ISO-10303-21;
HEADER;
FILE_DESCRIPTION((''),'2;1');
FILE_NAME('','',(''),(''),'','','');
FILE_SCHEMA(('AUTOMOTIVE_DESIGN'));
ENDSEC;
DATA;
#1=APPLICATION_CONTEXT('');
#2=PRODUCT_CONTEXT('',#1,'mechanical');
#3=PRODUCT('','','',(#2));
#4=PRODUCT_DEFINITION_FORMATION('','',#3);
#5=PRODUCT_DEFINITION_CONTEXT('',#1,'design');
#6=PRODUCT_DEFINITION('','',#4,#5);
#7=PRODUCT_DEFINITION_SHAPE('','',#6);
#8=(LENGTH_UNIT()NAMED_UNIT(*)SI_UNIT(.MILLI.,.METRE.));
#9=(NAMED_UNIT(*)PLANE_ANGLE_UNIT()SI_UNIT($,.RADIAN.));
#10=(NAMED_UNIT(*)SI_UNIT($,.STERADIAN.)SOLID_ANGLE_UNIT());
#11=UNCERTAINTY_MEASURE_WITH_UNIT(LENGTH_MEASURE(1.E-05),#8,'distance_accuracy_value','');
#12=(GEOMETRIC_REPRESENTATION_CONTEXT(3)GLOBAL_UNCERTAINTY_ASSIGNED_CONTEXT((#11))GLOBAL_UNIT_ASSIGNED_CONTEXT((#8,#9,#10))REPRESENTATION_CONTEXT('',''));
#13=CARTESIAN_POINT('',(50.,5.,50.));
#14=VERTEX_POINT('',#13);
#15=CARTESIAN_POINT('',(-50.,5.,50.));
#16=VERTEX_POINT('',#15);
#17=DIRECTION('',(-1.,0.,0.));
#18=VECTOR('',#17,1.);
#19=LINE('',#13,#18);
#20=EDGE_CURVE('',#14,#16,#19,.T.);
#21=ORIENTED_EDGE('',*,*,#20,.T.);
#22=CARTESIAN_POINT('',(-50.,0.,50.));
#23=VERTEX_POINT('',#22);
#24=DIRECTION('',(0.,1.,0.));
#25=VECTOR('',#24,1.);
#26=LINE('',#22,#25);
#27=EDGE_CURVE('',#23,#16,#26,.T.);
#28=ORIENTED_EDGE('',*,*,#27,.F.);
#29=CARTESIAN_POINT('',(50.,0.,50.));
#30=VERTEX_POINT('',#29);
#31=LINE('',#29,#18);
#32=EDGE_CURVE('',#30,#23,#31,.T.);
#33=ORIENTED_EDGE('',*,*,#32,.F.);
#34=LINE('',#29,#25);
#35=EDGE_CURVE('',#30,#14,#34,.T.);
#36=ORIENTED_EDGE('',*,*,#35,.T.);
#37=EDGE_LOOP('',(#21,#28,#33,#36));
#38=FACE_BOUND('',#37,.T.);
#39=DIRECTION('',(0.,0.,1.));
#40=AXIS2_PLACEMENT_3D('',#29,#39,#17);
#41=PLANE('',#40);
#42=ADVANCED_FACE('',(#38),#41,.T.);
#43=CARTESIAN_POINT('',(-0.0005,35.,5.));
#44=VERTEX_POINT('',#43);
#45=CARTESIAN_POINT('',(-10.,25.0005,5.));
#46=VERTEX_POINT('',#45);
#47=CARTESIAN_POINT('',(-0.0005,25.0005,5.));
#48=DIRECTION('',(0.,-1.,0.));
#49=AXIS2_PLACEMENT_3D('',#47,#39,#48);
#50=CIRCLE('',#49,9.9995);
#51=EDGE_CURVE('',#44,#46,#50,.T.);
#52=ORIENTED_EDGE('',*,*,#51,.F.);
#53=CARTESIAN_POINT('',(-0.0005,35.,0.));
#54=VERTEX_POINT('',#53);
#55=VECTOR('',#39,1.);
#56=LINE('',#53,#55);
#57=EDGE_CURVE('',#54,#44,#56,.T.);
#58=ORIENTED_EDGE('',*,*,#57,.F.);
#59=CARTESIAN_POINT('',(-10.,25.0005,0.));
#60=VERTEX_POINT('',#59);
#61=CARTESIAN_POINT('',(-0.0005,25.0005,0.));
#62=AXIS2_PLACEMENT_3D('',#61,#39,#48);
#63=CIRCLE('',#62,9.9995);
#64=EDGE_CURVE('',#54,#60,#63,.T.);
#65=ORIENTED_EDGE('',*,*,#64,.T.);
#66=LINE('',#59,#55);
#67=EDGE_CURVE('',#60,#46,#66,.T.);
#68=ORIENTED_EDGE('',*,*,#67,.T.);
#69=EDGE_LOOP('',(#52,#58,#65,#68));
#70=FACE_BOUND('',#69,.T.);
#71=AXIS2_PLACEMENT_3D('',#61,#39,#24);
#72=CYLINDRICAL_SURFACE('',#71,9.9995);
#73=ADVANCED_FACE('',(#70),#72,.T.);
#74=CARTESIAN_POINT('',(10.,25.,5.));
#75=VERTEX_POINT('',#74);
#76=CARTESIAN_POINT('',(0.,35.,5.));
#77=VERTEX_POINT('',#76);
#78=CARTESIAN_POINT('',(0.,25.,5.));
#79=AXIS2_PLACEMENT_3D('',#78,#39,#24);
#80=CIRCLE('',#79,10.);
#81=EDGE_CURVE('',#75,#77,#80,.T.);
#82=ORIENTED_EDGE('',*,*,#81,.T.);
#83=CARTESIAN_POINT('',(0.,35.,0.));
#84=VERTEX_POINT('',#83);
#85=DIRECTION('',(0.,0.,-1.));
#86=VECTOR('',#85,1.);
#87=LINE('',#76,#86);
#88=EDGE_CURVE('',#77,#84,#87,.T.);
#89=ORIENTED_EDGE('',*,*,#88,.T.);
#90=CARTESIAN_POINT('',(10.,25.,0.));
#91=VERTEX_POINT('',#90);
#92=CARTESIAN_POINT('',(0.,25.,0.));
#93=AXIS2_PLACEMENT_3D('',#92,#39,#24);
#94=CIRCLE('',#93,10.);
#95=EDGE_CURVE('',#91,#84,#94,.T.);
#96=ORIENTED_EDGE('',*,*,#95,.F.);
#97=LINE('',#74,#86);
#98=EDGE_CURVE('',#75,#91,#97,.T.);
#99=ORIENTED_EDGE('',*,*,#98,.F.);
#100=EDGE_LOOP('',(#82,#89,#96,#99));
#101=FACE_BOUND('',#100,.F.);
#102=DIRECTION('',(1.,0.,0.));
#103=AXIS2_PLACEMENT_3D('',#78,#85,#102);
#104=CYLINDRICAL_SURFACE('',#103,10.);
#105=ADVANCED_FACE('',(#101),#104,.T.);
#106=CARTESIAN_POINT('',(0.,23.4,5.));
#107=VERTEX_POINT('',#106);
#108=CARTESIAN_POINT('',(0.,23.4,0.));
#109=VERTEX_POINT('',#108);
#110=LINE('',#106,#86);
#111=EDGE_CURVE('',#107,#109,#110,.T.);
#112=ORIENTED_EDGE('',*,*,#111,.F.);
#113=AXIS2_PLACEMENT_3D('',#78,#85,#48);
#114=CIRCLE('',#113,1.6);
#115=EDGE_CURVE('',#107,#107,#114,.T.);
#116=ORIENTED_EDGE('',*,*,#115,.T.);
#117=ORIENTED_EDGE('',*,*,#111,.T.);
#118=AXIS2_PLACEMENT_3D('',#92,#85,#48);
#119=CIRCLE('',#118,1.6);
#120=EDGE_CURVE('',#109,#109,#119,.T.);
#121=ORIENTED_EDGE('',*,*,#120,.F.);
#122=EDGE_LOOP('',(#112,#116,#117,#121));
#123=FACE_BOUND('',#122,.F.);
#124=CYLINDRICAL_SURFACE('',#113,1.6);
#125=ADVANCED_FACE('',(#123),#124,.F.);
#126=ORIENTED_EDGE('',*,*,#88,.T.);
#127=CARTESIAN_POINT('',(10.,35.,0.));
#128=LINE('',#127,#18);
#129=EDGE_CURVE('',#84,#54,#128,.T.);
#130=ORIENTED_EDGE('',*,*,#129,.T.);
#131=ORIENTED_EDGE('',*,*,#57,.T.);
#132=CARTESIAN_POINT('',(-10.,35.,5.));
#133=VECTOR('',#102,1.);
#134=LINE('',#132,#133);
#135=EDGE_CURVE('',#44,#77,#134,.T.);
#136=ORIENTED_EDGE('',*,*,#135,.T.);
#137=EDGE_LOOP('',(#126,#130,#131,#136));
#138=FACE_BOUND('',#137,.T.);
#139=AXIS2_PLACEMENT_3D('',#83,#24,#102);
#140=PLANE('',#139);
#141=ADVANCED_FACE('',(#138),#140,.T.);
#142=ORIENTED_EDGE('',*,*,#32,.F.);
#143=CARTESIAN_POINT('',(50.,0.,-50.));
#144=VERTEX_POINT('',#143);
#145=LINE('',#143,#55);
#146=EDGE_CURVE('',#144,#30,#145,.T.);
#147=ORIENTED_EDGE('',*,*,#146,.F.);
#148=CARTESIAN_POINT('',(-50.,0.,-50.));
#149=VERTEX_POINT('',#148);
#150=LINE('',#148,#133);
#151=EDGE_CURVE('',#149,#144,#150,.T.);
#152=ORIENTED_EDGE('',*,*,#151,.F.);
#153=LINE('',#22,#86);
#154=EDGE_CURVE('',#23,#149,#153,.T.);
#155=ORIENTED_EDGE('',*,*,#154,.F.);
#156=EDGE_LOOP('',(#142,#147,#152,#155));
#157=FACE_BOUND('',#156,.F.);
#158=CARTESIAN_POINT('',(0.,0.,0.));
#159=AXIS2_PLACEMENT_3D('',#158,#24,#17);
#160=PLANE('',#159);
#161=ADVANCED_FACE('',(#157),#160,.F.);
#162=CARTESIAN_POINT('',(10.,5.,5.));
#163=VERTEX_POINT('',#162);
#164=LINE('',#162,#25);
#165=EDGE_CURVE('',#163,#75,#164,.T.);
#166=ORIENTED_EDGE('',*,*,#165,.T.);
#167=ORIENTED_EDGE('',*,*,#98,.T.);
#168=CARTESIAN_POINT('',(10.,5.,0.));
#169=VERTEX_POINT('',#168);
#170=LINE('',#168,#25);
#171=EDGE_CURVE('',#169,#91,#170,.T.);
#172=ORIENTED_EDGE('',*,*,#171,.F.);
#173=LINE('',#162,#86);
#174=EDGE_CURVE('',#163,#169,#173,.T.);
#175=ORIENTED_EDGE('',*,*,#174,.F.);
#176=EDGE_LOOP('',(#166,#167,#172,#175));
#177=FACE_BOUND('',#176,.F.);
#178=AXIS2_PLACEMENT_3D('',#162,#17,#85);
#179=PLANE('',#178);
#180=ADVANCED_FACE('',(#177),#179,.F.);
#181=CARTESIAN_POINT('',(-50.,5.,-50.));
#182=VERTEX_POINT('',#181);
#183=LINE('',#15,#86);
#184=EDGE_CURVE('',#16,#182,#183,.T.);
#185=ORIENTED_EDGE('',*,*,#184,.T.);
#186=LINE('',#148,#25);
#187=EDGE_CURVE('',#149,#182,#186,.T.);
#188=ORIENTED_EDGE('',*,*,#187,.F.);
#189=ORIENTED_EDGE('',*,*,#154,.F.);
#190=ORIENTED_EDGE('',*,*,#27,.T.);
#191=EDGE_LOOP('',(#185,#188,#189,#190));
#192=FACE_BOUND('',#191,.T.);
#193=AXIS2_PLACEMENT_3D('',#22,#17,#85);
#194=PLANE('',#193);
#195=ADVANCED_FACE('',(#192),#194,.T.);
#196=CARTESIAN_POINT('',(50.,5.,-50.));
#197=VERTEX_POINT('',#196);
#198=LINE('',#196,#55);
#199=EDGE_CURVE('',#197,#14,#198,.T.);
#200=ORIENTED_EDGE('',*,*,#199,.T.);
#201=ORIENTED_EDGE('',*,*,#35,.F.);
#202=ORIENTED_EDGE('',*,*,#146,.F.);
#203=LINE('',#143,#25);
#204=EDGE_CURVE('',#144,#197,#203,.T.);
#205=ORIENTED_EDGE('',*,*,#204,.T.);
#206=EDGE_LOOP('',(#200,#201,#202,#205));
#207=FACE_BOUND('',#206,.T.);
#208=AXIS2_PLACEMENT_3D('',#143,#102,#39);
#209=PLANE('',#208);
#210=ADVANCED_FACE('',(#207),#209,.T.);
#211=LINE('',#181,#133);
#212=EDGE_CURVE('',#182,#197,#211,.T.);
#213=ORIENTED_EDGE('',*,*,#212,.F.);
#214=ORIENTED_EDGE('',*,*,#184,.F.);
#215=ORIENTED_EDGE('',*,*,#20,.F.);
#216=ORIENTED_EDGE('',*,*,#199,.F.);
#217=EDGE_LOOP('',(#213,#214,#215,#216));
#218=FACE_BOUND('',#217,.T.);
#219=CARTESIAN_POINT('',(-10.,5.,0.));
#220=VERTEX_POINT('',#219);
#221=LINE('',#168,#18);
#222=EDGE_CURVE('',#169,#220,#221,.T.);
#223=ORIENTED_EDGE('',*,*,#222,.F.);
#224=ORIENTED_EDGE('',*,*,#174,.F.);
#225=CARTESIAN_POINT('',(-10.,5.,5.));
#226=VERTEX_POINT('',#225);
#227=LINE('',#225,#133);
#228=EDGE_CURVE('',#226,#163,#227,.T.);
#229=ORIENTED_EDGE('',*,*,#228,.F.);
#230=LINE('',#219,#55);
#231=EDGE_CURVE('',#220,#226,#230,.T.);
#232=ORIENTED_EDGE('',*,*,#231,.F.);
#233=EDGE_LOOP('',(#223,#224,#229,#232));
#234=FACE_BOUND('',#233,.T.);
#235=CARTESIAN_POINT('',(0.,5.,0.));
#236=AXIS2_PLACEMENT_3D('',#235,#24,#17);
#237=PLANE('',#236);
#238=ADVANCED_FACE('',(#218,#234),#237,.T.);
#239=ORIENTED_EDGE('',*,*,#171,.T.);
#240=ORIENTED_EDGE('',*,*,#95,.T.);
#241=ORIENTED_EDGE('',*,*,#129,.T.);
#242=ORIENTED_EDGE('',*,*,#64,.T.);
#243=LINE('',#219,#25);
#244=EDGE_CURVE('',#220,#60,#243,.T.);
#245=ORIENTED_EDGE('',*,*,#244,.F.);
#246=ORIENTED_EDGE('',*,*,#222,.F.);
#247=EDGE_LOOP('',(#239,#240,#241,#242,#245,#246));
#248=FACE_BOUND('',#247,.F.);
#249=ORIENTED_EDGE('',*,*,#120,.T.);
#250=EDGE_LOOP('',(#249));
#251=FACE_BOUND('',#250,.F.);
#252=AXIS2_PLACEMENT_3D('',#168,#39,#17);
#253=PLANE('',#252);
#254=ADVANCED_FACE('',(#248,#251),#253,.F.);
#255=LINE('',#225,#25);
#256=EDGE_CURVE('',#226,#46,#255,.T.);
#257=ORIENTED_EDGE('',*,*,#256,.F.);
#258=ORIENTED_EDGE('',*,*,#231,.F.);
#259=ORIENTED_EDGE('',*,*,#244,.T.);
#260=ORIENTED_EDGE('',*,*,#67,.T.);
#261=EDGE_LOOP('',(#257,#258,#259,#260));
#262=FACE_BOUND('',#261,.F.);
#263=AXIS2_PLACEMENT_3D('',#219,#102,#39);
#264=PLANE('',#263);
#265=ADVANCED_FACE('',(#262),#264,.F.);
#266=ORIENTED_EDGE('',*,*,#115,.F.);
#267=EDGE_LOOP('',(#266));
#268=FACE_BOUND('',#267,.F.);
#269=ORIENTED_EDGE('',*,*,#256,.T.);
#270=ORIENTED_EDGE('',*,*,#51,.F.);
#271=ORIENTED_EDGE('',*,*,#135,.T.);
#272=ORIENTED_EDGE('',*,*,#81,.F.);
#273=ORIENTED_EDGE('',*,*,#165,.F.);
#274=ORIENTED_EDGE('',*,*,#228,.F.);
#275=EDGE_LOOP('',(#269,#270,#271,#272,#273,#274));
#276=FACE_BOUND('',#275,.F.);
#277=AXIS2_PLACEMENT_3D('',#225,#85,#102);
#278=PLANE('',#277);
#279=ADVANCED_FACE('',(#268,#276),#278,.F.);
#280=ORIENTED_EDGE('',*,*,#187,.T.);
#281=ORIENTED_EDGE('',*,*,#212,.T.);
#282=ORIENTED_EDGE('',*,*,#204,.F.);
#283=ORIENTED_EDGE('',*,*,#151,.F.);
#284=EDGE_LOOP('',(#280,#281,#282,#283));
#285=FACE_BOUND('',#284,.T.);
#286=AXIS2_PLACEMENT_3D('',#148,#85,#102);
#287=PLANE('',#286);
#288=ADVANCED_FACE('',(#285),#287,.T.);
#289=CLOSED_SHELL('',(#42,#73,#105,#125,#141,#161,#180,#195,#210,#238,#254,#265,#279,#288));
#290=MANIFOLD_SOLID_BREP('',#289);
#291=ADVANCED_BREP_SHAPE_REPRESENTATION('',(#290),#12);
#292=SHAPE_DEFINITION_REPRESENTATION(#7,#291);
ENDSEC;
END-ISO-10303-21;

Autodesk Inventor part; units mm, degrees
ref_plane "YZ Plane" through (0, 0, 0) normal (1, 0, 0) x (0, 1, 0)
ref_plane "XZ Plane" through (0, 0, 0) normal (0, 1, 0) x (-1, 0, 0)
ref_plane "XY Plane" through (0, 0, 0) normal (0, 0, 1) x (1, 0, 0)
sketch "Szkic1" plane through (0, 0, 0) normal (0, 1, 0) x (-1, 0, 0)
  line L0 (-50, 50) -> (50, 50)
  line L1 (50, 50) -> (50, -50)
  line L2 (50, -50) -> (-50, -50)
  line L3 (-50, -50) -> (-50, 50)
  line L4 (-50, 50) -> (50, -50) construction
  line L5 (50, 50) -> (-50, -50) construction
  point P0 (0, 0)
  dimension "d0" = 100
  dimension "d1" = 100
extrude "Wyciągnięcie proste1" add sketch "Szkic1" along normal blind 5
sketch "Szkic2" plane through (0, 5, 0) normal (0, 1, 0) x (1, 0, 0)
  line L0 (10, 0) -> (-10, 0)
  line L1 (-10, 0) -> (-10, -5)
  line L2 (-10, -5) -> (10, -5)
  line L3 (10, -5) -> (10, 0)
  point P0 (0, 0)
  dimension "d4" = 20
  dimension "d5" = 10
  dimension "d6" = 5
  dimension "d7" = 0
extrude "Wyciągnięcie proste2" add sketch "Szkic2" along normal blind 30
fillet "Zaokrąglenie1" radius 10 1 edges at (10, 35, 2.5)
fillet "Zaokrąglenie2" radius 10 1 edges at (-10, 35, 2.5)
sketch "Szkic3" plane through (-10, 5, 5) normal (0, 0, 1) x (1, 0, 0)
  arc A0 (20, 20) -> (0, 20) centre (10, 20) ccw projected
  point P0 (10, -5)
hole "Otwór1" at (0, 25, 5) direction (0, 0, -1) diameter 3.2 end through all
properties part number "podstawa"
